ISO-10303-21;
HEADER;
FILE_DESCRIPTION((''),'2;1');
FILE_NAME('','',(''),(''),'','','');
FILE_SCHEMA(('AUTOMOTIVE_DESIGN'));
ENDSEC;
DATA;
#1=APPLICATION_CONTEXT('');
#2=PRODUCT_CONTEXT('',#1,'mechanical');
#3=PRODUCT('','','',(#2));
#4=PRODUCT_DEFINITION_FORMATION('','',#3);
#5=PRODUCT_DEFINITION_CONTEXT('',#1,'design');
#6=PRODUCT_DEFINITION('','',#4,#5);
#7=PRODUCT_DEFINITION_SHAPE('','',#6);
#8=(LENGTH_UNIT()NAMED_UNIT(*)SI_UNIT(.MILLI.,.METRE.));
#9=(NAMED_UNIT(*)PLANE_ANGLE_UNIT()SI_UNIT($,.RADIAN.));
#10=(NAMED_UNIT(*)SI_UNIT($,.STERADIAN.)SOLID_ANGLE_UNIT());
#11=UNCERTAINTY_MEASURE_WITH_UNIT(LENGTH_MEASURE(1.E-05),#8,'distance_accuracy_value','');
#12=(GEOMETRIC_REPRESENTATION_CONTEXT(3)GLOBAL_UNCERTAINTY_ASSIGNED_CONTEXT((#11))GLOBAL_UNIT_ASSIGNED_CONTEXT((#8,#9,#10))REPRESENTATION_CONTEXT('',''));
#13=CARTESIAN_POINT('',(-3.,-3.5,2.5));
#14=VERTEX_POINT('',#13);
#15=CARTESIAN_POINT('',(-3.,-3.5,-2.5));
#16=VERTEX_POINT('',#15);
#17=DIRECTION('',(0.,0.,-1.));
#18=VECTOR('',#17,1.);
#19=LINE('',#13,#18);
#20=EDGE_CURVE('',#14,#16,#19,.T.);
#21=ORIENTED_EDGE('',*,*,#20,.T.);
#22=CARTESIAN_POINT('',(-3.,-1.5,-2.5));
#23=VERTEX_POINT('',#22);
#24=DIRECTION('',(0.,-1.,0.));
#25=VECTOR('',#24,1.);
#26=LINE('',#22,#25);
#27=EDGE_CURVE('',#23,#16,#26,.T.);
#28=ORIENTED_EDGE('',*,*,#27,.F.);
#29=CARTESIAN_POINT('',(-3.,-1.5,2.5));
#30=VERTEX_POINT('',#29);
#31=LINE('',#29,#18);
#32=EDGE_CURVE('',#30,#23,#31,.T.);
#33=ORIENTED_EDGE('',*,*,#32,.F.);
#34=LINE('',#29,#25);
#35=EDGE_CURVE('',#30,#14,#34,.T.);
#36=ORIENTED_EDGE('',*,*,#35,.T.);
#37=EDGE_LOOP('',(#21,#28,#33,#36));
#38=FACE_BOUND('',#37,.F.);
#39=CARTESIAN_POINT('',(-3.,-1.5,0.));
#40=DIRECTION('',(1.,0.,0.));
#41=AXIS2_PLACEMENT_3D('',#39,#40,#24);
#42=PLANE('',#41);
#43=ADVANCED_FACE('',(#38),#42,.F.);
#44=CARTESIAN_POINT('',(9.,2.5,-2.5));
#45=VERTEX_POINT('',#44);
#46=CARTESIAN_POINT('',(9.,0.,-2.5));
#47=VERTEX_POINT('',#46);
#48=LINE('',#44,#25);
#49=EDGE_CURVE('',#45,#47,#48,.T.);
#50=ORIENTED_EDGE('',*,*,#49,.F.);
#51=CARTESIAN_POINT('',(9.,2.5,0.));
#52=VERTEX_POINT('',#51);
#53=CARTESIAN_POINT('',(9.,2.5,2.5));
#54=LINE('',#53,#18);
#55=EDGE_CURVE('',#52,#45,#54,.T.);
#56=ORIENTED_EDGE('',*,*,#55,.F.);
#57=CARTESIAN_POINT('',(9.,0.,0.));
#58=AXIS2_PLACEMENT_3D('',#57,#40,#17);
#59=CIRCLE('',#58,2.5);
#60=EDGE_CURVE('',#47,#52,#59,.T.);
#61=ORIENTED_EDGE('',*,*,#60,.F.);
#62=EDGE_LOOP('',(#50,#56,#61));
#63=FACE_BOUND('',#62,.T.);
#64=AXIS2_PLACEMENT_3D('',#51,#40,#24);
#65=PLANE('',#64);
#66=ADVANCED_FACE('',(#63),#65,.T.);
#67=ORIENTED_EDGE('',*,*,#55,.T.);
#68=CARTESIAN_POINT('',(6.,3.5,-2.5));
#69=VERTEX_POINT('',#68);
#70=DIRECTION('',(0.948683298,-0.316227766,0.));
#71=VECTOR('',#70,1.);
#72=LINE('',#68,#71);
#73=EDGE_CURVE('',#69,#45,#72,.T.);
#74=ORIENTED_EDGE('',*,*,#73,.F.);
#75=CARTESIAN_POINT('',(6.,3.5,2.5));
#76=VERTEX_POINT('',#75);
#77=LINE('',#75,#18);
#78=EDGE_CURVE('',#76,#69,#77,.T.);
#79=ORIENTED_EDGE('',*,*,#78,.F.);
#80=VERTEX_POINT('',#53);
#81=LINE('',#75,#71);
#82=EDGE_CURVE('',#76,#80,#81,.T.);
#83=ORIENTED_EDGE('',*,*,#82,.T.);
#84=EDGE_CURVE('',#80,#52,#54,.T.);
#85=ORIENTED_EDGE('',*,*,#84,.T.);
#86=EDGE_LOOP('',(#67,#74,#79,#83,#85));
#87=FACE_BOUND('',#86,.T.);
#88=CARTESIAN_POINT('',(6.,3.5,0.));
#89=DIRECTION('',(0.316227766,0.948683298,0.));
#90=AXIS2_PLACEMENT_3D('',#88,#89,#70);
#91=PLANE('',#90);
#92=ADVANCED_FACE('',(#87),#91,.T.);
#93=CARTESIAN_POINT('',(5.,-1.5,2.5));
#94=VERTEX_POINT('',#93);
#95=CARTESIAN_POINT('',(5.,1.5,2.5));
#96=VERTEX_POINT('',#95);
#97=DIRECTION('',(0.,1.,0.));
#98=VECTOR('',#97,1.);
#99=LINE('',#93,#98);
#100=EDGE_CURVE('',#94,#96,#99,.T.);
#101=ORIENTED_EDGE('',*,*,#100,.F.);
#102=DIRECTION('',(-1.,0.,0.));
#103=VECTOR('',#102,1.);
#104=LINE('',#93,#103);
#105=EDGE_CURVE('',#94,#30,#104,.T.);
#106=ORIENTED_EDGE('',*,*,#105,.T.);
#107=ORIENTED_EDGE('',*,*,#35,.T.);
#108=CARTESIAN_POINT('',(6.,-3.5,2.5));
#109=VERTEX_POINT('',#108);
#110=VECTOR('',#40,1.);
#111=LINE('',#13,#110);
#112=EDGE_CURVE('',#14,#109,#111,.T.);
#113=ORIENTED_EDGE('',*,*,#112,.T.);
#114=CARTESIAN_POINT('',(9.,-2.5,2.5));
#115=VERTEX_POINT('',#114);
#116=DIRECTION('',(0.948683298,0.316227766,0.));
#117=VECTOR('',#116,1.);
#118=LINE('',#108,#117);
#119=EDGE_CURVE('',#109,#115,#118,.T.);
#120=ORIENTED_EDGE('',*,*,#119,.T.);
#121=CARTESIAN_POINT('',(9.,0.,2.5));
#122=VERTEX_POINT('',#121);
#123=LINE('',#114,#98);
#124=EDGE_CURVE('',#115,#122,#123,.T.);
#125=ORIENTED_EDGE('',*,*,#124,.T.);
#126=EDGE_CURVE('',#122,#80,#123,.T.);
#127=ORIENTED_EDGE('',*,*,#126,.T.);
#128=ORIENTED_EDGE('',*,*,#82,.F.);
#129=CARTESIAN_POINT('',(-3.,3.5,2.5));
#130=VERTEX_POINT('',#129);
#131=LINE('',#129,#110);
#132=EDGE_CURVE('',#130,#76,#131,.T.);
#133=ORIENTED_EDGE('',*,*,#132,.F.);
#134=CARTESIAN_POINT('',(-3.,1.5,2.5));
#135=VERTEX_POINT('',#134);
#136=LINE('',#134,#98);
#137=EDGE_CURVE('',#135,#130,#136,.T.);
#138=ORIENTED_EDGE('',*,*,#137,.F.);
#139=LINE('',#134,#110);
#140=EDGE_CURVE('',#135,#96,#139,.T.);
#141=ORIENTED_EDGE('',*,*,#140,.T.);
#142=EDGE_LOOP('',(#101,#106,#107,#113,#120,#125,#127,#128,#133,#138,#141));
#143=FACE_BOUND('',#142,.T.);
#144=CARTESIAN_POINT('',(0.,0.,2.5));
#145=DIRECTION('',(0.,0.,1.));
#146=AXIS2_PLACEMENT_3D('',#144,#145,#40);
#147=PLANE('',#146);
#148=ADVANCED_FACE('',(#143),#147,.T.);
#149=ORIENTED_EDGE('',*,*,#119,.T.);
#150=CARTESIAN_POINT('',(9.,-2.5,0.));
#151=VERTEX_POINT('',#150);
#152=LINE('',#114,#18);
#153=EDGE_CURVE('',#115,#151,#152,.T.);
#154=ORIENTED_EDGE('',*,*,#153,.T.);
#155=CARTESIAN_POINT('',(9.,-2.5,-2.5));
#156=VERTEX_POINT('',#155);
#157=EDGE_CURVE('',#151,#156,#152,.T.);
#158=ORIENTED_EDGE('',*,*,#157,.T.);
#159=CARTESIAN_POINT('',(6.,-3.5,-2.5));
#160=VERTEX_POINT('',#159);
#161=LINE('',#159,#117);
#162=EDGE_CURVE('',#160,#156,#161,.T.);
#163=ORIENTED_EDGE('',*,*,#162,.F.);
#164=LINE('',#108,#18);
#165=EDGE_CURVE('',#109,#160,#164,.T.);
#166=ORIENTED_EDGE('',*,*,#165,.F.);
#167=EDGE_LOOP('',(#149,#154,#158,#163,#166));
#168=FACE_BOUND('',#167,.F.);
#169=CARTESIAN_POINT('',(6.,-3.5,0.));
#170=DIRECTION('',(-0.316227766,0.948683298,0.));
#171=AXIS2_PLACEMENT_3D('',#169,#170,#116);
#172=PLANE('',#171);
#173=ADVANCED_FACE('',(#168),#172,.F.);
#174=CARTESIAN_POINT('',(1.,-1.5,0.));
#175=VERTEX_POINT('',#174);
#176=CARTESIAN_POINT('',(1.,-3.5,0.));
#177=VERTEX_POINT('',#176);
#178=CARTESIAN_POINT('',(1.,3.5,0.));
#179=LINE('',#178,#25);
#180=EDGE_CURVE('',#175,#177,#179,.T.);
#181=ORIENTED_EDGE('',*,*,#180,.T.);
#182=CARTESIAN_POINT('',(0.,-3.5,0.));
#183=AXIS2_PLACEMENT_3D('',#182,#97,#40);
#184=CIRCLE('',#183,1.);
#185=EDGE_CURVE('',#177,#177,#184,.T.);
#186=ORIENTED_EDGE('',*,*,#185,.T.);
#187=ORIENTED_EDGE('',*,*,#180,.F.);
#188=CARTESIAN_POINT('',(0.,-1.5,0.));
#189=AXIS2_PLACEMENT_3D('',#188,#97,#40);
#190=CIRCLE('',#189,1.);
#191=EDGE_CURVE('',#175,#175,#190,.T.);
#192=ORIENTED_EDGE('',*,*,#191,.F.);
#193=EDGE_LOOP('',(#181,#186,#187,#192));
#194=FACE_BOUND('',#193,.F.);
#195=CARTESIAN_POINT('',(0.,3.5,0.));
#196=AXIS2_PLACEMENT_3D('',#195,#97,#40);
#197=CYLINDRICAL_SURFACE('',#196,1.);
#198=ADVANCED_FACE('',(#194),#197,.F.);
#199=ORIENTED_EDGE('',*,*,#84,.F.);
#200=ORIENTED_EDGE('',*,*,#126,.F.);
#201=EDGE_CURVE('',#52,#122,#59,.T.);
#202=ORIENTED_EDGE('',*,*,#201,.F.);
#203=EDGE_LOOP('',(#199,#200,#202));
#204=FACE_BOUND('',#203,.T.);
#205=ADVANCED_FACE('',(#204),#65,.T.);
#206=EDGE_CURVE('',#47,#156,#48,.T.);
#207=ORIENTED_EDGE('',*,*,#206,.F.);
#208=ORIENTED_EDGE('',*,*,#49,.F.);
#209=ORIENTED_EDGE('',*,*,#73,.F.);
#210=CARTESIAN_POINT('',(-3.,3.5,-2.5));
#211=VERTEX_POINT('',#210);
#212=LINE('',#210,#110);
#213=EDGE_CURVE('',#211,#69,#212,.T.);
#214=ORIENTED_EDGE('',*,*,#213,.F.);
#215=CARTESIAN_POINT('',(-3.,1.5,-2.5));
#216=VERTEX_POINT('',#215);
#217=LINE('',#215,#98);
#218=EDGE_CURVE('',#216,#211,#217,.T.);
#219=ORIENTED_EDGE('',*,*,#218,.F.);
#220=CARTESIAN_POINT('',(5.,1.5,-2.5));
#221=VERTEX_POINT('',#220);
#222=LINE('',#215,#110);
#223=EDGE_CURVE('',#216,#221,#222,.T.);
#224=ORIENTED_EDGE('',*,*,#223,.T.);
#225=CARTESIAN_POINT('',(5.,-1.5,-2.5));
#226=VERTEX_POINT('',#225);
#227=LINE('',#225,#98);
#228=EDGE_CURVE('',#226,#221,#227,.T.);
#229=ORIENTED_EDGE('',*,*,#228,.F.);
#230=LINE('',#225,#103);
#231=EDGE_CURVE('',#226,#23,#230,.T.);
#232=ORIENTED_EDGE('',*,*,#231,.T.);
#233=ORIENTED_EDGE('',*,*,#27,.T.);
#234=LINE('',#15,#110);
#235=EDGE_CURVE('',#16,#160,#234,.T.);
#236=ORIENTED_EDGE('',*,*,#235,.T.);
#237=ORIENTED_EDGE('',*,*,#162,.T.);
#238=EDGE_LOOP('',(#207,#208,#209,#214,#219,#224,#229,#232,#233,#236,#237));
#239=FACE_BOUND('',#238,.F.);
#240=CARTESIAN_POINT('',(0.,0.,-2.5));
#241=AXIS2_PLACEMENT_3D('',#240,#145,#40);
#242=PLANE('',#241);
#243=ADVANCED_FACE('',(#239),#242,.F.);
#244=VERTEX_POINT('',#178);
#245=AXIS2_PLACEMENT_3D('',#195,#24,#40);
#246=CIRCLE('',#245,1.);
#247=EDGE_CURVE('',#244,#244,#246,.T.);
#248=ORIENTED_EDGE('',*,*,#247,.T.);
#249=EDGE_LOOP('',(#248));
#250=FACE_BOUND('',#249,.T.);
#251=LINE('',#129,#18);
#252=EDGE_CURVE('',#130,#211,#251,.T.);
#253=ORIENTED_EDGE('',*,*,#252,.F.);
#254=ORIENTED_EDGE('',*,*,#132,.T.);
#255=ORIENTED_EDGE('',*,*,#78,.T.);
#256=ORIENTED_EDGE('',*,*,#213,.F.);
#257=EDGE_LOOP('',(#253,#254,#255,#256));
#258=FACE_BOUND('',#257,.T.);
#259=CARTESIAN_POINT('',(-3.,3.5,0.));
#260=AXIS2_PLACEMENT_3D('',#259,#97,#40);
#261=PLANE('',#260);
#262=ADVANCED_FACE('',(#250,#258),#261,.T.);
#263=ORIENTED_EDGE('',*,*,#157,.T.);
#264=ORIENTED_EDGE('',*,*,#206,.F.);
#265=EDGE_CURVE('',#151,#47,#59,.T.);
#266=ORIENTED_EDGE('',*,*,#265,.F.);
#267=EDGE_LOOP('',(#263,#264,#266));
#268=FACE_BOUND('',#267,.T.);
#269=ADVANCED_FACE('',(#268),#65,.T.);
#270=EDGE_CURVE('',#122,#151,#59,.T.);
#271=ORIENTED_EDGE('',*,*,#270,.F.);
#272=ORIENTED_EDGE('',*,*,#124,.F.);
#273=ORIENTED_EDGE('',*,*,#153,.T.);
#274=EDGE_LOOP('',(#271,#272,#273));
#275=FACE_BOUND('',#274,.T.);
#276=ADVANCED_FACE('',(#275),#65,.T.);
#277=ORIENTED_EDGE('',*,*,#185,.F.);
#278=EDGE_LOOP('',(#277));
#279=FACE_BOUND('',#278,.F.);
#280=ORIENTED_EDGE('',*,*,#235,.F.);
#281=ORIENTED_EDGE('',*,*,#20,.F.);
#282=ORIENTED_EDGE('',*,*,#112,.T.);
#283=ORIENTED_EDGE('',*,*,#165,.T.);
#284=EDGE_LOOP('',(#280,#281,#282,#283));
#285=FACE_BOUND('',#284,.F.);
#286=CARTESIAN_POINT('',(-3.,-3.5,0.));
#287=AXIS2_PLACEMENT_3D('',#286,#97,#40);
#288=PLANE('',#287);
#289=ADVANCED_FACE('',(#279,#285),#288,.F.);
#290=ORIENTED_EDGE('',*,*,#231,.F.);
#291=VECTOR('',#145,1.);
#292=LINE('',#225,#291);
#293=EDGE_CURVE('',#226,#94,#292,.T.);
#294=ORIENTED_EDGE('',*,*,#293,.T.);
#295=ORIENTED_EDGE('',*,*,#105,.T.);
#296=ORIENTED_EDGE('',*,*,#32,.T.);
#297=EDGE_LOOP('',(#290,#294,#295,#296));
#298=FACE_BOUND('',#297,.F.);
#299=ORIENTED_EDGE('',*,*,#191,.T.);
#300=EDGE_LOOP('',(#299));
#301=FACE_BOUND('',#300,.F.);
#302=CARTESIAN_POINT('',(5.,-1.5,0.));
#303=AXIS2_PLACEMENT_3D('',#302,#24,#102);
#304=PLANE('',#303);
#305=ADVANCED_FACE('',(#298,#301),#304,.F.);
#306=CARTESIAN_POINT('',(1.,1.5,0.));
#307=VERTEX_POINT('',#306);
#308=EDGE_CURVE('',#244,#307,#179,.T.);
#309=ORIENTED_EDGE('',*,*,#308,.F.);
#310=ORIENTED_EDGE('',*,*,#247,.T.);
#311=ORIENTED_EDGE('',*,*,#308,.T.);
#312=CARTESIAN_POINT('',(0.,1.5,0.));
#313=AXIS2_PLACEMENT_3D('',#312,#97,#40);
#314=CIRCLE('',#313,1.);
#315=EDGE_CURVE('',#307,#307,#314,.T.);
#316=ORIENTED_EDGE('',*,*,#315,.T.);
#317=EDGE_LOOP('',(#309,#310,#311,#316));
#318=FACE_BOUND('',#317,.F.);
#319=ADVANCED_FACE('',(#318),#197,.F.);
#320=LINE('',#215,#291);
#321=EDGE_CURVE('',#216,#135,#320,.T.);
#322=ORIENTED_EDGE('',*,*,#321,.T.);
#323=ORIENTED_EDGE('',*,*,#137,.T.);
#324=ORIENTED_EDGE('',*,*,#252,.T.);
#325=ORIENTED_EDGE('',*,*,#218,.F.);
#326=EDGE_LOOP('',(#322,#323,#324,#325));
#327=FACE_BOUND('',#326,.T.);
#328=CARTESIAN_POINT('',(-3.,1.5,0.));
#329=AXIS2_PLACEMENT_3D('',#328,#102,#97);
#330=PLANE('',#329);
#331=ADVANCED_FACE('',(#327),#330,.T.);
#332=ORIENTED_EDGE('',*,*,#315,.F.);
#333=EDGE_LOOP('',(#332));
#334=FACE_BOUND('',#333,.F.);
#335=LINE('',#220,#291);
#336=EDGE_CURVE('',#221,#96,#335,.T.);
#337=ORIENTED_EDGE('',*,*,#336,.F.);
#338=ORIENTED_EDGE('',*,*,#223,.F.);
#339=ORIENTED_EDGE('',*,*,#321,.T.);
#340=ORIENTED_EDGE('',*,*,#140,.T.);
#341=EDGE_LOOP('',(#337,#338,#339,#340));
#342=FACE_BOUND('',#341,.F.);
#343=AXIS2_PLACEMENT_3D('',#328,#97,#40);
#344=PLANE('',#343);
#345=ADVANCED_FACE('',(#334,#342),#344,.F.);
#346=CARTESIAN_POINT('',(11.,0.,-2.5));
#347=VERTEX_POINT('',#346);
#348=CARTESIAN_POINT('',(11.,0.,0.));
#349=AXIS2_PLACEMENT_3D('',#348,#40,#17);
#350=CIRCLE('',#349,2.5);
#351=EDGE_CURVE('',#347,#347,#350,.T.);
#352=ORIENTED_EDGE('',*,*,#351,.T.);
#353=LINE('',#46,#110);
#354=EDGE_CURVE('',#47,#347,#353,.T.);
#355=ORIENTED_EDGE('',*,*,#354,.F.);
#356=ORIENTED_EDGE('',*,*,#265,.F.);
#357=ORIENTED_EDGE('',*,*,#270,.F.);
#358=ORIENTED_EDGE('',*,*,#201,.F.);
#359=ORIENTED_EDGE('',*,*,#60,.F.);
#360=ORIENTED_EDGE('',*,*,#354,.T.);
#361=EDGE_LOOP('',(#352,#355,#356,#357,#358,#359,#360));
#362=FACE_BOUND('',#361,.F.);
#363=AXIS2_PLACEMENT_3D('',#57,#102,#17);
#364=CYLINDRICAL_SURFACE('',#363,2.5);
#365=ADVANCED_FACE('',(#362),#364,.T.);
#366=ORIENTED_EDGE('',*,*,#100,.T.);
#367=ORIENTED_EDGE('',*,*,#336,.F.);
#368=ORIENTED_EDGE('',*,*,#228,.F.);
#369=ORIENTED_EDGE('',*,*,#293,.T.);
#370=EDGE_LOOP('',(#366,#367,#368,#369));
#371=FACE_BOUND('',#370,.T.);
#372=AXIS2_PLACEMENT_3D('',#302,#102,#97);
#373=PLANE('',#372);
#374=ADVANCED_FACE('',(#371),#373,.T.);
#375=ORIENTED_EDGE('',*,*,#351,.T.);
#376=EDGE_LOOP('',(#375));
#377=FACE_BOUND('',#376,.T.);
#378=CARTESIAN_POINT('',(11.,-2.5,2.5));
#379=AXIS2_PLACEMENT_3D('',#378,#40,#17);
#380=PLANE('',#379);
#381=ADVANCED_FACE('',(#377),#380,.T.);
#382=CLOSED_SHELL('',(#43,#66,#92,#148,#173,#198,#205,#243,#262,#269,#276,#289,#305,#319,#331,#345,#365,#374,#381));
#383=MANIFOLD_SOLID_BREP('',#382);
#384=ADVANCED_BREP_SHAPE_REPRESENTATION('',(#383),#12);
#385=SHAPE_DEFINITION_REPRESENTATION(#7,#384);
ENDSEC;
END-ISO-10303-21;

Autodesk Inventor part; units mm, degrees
ref_plane "YZ Plane" through (0, 0, 0) normal (1, 0, 0) x (0, 1, 0)
ref_plane "XZ Plane" through (0, 0, 0) normal (0, 1, 0) x (-1, 0, 0)
ref_plane "XY Plane" through (0, 0, 0) normal (0, 0, 1) x (1, 0, 0)
sketch "Skizze1" plane through (0, 0, 0) normal (0, 0, 1) x (1, 0, 0)
  line L0 (-3, 1.5) -> (5, 1.5)
  line L1 (-3, 1.5) -> (-3, 3.5)
  line L2 (-3, 3.5) -> (6, 3.5)
  line L3 (6, 3.5) -> (9, 2.5)
  line L4 (9, 2.5) -> (9, 0)
  line L5 (5, -1.5) -> (-3, -1.5)
  line L6 (-3, -1.5) -> (-3, -3.5)
  line L7 (-3, -3.5) -> (6, -3.5)
  line L8 (6, -3.5) -> (9, -2.5)
  line L9 (9, -2.5) -> (9, 0)
  line L10 (5, -1.5) -> (5, 1.5)
  point P0 (0, 0)
  point P1 (5, 0)
  dimension "d0" = 3
  dimension "d1" = 2
  dimension "d2" = 3
  dimension "d4" = 5
  dimension "d5" = 4
  dimension "d6" = 1
  dimension "d7" = 3
extrude "Extrusion1" add sketch "Skizze1" along normal mid plane 5
sketch "Skizze2" plane through (-3, 3.5, 2.5) normal (0, 1, 0) x (1, 0, 0)
  line L0 (3, 6) -> (3, -1) projected
  line L1 (14.4, 2.5) -> (-2.4, 2.5) projected
  circle A0 centre (3, 2.5) radius 1
  dimension "d10" = 2
extrude "Extrusion2" cut sketch "Skizze2" along normal through all both and the other way through all
sketch "Skizze3" plane through (9, -2.5, 2.5) normal (1, 0, 0) x (0, 0, -1)
  circle A0 centre (2.5, 2.5) radius 2.5
  line L0 (5, 5) -> (5, 0) projected
extrude "Extrusion3" add sketch "Skizze3" along normal blind 2
properties part number "Schakel"
